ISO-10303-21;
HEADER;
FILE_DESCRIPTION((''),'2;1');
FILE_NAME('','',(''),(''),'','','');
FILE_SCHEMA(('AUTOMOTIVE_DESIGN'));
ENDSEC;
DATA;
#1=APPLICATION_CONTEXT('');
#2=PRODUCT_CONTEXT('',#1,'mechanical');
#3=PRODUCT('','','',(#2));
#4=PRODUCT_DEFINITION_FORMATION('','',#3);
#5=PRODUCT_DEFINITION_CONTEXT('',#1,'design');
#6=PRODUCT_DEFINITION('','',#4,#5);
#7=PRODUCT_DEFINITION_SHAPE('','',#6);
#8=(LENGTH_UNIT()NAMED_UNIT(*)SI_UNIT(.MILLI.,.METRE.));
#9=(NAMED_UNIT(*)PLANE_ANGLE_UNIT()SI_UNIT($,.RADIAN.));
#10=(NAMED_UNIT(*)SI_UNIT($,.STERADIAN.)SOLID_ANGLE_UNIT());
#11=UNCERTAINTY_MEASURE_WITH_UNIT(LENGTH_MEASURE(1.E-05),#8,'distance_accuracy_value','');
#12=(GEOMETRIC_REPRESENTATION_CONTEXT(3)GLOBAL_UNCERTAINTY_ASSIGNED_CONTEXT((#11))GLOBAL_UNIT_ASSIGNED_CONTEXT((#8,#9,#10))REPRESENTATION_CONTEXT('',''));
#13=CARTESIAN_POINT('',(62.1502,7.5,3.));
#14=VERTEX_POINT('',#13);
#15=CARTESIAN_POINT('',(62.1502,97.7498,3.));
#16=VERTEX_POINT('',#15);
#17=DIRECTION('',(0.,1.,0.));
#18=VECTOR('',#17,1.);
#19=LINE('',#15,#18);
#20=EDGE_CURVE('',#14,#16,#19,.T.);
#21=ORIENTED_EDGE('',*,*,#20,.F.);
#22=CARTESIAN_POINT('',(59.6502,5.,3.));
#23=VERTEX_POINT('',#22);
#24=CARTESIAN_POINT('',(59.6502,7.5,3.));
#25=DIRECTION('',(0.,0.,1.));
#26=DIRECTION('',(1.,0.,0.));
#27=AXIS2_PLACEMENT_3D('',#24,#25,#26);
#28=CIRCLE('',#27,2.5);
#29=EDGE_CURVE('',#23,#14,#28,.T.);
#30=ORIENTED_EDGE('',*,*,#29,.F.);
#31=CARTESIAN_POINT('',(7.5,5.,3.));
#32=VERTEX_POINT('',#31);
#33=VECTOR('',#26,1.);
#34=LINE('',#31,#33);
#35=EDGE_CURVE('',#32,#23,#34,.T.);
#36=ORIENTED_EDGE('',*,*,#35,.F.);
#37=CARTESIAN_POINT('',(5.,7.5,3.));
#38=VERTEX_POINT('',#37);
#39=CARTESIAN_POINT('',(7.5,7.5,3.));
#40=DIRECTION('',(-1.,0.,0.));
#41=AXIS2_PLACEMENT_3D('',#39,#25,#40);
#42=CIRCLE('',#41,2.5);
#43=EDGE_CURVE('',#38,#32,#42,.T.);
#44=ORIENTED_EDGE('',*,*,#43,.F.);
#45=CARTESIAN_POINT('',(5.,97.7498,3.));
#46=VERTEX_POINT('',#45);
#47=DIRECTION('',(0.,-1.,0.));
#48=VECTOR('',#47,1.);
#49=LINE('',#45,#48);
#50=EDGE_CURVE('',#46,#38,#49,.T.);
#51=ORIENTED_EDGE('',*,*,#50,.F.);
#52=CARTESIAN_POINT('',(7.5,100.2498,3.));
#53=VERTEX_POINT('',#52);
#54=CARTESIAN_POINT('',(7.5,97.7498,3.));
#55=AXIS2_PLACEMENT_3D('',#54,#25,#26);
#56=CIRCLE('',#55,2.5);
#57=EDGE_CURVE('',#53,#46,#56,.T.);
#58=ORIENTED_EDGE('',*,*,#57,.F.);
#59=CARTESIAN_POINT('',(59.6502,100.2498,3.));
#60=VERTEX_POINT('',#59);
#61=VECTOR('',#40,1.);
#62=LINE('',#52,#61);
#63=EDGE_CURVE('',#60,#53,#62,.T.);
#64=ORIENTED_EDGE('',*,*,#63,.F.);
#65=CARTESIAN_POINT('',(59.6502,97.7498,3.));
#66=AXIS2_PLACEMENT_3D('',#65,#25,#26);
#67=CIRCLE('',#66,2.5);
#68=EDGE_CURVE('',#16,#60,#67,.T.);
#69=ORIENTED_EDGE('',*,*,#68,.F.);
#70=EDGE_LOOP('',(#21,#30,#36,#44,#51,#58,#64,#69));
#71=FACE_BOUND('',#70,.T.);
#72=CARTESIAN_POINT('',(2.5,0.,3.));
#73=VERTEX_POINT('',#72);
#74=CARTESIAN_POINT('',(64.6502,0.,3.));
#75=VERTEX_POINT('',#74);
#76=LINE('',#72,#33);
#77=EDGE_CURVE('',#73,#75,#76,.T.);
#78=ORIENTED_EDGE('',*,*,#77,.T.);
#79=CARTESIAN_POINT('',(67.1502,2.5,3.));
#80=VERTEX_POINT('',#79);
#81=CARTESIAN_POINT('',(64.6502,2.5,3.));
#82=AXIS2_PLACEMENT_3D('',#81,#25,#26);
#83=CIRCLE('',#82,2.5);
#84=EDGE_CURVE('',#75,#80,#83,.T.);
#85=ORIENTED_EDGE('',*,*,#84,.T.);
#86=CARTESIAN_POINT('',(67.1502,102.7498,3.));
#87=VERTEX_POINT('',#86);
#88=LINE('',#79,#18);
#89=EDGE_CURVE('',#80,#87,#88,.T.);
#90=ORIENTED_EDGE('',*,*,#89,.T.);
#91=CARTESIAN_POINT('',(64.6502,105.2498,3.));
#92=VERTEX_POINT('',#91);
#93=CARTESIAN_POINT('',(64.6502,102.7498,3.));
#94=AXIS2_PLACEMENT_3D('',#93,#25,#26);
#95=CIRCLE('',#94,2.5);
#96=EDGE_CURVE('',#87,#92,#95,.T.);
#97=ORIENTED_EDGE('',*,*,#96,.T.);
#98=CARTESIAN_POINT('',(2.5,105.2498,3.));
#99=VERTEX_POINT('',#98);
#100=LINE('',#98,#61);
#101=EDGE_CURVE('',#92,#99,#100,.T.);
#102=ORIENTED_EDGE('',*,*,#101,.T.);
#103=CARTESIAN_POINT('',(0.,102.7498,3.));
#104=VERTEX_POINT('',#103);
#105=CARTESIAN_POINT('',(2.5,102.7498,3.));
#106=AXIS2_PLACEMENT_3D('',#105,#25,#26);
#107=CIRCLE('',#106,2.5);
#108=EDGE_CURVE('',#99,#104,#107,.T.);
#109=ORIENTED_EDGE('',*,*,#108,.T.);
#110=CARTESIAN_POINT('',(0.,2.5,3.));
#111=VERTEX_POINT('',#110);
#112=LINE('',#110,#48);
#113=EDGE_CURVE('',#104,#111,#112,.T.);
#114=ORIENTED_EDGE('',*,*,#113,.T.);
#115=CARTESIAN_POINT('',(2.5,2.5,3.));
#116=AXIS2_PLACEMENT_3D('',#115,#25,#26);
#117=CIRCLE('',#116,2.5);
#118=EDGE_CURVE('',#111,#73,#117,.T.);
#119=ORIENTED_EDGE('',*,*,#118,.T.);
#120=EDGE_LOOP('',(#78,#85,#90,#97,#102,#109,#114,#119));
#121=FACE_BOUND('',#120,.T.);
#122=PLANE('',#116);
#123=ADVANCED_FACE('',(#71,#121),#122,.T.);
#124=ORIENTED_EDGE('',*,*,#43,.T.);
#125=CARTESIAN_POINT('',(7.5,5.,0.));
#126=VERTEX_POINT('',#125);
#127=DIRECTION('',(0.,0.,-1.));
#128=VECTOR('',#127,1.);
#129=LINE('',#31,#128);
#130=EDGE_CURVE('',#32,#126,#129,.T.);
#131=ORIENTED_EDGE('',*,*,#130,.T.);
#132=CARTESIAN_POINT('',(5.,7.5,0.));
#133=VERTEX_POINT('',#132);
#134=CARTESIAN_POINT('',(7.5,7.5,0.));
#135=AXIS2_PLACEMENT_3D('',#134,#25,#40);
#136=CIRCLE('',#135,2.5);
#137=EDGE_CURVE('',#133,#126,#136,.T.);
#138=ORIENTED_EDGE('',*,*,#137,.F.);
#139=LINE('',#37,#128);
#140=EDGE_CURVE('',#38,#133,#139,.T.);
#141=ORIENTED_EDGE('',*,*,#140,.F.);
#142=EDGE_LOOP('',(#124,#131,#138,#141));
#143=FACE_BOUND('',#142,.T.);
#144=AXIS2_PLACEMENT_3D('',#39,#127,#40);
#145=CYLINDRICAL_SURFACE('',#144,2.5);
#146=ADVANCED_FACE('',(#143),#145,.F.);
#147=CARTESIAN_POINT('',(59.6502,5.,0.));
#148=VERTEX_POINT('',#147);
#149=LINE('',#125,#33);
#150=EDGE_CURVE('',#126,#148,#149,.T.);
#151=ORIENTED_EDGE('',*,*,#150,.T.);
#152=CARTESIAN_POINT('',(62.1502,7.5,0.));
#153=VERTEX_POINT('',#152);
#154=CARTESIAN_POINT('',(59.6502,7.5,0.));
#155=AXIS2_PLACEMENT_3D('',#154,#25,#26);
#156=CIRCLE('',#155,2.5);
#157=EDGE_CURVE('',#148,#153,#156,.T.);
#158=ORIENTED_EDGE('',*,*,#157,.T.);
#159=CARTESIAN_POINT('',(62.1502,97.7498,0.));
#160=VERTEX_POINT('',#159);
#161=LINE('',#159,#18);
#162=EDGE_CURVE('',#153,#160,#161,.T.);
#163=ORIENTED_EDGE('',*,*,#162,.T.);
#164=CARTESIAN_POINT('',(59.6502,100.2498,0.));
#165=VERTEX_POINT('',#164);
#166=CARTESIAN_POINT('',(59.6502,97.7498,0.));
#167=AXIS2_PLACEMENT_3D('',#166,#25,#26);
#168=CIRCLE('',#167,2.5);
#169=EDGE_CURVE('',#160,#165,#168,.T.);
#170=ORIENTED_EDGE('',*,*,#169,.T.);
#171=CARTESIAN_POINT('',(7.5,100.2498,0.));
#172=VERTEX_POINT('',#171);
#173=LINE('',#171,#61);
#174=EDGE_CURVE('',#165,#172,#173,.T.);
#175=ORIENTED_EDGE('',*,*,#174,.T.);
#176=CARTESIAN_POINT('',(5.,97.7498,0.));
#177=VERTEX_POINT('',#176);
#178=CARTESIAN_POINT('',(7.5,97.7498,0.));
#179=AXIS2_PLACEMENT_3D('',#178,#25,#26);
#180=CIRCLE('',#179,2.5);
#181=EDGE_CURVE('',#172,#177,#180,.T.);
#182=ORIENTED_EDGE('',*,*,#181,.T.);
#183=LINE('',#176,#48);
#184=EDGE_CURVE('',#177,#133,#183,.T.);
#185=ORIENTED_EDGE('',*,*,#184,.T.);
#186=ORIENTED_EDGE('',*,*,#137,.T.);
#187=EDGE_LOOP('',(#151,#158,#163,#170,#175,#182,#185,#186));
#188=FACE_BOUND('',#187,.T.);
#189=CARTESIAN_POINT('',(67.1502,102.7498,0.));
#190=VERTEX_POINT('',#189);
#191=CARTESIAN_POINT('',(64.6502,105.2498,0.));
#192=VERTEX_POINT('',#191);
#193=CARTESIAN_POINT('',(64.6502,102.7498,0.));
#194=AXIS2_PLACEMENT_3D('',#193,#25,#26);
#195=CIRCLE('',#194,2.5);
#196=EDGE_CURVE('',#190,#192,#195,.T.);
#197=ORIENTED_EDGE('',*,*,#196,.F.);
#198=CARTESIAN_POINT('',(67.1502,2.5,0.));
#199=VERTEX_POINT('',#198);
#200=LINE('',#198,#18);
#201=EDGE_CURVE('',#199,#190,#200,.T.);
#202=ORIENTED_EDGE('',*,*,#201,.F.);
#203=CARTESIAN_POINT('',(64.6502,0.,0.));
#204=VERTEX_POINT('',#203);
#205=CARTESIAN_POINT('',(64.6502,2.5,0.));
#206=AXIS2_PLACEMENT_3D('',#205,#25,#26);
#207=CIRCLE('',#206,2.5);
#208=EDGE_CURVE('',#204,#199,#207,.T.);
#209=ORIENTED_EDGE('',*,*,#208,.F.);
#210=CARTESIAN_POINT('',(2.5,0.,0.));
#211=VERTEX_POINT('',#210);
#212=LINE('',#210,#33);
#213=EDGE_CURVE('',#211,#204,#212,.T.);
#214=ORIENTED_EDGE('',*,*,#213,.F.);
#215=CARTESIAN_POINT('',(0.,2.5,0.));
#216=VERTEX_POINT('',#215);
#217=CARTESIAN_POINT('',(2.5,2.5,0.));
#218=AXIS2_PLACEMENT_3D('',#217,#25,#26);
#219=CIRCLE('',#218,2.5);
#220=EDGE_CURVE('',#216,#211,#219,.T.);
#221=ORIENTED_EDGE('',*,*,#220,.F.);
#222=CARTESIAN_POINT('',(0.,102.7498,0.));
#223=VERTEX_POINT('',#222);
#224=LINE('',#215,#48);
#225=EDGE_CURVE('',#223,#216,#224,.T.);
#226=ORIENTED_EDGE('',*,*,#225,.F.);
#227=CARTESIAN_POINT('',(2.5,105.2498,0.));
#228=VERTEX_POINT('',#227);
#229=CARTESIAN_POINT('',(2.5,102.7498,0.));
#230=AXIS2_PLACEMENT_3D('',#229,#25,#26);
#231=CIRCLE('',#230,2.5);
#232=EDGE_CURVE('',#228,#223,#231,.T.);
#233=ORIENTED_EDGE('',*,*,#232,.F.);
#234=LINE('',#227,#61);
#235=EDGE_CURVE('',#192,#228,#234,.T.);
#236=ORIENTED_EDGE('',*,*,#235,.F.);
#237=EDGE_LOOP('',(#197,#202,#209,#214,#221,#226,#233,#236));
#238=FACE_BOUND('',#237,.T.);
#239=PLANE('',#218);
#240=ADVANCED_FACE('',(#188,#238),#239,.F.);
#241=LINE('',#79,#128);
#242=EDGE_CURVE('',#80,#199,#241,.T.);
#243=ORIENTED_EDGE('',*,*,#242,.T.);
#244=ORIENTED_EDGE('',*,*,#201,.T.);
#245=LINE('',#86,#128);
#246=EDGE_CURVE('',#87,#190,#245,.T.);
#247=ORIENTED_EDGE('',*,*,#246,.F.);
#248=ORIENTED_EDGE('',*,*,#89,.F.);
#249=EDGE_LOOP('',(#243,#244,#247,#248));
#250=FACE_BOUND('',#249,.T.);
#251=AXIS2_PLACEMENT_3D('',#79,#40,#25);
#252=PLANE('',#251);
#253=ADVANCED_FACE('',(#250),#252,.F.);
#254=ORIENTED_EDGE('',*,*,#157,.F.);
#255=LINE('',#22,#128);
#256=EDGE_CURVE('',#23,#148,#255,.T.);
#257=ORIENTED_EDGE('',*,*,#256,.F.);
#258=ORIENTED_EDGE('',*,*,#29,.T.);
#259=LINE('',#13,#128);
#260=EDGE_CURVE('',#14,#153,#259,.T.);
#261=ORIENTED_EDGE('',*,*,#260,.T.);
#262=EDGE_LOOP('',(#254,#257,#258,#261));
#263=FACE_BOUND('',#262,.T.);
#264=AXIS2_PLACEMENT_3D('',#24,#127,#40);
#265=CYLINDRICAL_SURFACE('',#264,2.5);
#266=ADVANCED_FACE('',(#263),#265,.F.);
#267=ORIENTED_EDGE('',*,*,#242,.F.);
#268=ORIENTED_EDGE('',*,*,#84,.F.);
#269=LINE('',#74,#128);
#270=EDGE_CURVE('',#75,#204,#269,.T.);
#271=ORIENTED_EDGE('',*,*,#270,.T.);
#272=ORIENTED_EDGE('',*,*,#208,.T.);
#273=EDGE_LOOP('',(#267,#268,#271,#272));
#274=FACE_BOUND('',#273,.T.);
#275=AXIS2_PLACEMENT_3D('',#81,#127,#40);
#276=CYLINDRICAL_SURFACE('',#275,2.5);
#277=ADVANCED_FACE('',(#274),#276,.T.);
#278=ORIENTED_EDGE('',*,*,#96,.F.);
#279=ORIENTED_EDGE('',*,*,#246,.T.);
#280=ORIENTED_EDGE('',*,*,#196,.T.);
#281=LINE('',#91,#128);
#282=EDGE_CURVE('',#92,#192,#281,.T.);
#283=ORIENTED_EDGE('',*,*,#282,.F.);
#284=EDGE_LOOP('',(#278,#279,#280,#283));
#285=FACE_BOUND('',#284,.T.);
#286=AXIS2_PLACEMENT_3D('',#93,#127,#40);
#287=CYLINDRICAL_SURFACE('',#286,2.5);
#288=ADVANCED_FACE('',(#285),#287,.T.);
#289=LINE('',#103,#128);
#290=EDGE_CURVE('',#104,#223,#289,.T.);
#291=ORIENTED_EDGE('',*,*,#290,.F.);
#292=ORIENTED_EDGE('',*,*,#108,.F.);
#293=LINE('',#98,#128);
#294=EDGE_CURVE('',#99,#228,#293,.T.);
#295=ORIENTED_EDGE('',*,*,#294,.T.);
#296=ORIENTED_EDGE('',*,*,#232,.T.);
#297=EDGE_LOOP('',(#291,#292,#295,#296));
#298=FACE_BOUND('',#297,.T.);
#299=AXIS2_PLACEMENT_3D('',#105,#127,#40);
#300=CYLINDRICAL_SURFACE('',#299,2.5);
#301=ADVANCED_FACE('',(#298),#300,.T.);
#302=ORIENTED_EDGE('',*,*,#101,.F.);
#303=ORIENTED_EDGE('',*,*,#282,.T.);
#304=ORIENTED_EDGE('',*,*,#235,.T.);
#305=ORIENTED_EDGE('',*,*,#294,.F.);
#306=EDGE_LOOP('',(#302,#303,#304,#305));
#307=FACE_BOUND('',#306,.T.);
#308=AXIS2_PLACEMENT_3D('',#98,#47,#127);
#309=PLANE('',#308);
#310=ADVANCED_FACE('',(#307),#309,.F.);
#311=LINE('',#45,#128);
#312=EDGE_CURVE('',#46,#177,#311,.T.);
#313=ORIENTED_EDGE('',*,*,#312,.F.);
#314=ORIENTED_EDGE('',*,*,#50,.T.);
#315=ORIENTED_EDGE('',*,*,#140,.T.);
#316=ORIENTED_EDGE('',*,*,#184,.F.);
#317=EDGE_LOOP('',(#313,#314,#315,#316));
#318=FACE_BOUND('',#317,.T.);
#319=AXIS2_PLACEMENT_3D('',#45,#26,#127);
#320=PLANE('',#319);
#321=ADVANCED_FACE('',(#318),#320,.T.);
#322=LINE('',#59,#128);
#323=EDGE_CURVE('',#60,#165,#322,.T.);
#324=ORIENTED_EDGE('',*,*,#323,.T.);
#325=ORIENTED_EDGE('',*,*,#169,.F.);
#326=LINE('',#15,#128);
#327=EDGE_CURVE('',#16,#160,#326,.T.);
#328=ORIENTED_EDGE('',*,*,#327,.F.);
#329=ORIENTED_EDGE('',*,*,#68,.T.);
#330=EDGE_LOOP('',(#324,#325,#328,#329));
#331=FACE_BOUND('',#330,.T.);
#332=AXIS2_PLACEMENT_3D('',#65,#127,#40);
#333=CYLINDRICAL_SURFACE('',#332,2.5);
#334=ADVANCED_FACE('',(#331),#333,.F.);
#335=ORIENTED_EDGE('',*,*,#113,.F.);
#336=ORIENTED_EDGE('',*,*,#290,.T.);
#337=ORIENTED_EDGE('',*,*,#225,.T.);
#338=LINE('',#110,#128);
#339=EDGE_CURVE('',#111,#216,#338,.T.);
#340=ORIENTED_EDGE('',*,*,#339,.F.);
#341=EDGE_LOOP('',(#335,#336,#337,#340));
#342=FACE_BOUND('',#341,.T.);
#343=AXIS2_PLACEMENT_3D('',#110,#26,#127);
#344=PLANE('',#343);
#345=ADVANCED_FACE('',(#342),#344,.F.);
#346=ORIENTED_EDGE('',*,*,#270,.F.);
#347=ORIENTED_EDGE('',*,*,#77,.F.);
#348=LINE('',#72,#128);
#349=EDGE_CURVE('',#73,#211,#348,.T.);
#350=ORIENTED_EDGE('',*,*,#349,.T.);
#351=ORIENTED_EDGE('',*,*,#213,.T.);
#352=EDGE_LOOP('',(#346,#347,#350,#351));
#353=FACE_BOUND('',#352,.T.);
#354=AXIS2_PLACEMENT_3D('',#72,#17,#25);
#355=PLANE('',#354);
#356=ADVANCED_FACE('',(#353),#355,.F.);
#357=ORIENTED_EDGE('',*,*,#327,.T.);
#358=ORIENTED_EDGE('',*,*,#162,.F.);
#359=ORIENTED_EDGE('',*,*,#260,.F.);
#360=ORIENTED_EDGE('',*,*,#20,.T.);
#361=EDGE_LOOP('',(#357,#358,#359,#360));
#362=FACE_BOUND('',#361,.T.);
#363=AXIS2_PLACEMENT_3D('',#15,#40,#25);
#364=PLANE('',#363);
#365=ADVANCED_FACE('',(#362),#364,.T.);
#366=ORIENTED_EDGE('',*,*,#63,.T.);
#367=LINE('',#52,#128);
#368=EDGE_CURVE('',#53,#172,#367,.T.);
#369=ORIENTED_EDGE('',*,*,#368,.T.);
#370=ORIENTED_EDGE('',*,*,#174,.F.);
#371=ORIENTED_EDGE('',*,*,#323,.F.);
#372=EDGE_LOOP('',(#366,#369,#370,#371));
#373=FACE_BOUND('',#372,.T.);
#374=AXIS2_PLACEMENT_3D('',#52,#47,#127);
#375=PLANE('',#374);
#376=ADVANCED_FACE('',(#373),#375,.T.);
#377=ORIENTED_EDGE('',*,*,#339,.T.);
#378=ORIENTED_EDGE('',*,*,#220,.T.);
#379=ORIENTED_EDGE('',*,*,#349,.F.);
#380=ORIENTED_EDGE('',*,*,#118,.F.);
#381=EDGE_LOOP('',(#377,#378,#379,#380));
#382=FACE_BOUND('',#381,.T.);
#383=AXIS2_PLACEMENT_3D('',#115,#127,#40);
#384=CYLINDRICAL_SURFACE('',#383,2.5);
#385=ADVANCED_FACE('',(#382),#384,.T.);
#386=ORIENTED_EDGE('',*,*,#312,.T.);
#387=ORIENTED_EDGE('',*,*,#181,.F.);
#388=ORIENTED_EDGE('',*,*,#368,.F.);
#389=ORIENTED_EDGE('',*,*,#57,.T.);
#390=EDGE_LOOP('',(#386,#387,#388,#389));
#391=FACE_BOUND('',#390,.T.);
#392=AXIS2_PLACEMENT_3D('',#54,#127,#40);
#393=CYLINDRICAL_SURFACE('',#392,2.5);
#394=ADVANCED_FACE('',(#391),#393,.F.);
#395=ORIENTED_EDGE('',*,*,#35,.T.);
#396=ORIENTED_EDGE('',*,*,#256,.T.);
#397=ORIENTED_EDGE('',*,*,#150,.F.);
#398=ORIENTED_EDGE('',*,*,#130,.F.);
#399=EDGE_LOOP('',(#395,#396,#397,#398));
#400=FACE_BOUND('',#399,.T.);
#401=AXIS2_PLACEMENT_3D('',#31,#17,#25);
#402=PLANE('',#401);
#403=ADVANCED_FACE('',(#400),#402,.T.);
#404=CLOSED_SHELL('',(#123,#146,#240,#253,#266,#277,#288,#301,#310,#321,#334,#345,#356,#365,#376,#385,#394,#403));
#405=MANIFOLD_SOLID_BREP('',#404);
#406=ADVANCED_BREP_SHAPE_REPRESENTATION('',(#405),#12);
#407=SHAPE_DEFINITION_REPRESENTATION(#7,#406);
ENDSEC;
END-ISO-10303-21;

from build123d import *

# Parameters (mm, degrees)
EXTRUDE_1_DEPTH = 3


with BuildPart() as part:
    # 草图1 → 凸台-拉伸1 (new body)
    with BuildSketch(Plane.XY):
        with BuildLine():
            Line((2.5, 0), (64.6502, 0))
            ThreePointArc((64.6502, 0), (66.417966953, 0.732233047), (67.1502, 2.5))
            Line((67.1502, 2.5), (67.1502, 102.7498))
            ThreePointArc((67.1502, 102.7498), (66.417966953, 104.517566953), (64.6502, 105.2498))
            Line((64.6502, 105.2498), (2.5, 105.2498))
            ThreePointArc((2.5, 105.2498), (0.732233047, 104.517566953), (0, 102.7498))
            Line((0, 102.7498), (0, 2.5))
            ThreePointArc((0, 2.5), (0.732233047, 0.732233047), (2.5, 0))
        make_face()
        with BuildLine():
            Line((7.5, 100.2498), (59.6502, 100.2498))
            ThreePointArc((59.6502, 100.2498), (61.417966953, 99.517566953), (62.1502, 97.7498))
            Line((62.1502, 97.7498), (62.1502, 7.5))
            ThreePointArc((62.1502, 7.5), (61.417966953, 5.732233047), (59.6502, 5))
            Line((59.6502, 5), (7.5, 5))
            ThreePointArc((7.5, 5), (5.732233047, 5.732233047), (5, 7.5))
            Line((5, 7.5), (5, 97.7498))
            ThreePointArc((5, 97.7498), (5.732233047, 99.517566953), (7.5, 100.2498))
        make_face(mode=Mode.SUBTRACT)
    extrude(amount=EXTRUDE_1_DEPTH)


solid = part.part
